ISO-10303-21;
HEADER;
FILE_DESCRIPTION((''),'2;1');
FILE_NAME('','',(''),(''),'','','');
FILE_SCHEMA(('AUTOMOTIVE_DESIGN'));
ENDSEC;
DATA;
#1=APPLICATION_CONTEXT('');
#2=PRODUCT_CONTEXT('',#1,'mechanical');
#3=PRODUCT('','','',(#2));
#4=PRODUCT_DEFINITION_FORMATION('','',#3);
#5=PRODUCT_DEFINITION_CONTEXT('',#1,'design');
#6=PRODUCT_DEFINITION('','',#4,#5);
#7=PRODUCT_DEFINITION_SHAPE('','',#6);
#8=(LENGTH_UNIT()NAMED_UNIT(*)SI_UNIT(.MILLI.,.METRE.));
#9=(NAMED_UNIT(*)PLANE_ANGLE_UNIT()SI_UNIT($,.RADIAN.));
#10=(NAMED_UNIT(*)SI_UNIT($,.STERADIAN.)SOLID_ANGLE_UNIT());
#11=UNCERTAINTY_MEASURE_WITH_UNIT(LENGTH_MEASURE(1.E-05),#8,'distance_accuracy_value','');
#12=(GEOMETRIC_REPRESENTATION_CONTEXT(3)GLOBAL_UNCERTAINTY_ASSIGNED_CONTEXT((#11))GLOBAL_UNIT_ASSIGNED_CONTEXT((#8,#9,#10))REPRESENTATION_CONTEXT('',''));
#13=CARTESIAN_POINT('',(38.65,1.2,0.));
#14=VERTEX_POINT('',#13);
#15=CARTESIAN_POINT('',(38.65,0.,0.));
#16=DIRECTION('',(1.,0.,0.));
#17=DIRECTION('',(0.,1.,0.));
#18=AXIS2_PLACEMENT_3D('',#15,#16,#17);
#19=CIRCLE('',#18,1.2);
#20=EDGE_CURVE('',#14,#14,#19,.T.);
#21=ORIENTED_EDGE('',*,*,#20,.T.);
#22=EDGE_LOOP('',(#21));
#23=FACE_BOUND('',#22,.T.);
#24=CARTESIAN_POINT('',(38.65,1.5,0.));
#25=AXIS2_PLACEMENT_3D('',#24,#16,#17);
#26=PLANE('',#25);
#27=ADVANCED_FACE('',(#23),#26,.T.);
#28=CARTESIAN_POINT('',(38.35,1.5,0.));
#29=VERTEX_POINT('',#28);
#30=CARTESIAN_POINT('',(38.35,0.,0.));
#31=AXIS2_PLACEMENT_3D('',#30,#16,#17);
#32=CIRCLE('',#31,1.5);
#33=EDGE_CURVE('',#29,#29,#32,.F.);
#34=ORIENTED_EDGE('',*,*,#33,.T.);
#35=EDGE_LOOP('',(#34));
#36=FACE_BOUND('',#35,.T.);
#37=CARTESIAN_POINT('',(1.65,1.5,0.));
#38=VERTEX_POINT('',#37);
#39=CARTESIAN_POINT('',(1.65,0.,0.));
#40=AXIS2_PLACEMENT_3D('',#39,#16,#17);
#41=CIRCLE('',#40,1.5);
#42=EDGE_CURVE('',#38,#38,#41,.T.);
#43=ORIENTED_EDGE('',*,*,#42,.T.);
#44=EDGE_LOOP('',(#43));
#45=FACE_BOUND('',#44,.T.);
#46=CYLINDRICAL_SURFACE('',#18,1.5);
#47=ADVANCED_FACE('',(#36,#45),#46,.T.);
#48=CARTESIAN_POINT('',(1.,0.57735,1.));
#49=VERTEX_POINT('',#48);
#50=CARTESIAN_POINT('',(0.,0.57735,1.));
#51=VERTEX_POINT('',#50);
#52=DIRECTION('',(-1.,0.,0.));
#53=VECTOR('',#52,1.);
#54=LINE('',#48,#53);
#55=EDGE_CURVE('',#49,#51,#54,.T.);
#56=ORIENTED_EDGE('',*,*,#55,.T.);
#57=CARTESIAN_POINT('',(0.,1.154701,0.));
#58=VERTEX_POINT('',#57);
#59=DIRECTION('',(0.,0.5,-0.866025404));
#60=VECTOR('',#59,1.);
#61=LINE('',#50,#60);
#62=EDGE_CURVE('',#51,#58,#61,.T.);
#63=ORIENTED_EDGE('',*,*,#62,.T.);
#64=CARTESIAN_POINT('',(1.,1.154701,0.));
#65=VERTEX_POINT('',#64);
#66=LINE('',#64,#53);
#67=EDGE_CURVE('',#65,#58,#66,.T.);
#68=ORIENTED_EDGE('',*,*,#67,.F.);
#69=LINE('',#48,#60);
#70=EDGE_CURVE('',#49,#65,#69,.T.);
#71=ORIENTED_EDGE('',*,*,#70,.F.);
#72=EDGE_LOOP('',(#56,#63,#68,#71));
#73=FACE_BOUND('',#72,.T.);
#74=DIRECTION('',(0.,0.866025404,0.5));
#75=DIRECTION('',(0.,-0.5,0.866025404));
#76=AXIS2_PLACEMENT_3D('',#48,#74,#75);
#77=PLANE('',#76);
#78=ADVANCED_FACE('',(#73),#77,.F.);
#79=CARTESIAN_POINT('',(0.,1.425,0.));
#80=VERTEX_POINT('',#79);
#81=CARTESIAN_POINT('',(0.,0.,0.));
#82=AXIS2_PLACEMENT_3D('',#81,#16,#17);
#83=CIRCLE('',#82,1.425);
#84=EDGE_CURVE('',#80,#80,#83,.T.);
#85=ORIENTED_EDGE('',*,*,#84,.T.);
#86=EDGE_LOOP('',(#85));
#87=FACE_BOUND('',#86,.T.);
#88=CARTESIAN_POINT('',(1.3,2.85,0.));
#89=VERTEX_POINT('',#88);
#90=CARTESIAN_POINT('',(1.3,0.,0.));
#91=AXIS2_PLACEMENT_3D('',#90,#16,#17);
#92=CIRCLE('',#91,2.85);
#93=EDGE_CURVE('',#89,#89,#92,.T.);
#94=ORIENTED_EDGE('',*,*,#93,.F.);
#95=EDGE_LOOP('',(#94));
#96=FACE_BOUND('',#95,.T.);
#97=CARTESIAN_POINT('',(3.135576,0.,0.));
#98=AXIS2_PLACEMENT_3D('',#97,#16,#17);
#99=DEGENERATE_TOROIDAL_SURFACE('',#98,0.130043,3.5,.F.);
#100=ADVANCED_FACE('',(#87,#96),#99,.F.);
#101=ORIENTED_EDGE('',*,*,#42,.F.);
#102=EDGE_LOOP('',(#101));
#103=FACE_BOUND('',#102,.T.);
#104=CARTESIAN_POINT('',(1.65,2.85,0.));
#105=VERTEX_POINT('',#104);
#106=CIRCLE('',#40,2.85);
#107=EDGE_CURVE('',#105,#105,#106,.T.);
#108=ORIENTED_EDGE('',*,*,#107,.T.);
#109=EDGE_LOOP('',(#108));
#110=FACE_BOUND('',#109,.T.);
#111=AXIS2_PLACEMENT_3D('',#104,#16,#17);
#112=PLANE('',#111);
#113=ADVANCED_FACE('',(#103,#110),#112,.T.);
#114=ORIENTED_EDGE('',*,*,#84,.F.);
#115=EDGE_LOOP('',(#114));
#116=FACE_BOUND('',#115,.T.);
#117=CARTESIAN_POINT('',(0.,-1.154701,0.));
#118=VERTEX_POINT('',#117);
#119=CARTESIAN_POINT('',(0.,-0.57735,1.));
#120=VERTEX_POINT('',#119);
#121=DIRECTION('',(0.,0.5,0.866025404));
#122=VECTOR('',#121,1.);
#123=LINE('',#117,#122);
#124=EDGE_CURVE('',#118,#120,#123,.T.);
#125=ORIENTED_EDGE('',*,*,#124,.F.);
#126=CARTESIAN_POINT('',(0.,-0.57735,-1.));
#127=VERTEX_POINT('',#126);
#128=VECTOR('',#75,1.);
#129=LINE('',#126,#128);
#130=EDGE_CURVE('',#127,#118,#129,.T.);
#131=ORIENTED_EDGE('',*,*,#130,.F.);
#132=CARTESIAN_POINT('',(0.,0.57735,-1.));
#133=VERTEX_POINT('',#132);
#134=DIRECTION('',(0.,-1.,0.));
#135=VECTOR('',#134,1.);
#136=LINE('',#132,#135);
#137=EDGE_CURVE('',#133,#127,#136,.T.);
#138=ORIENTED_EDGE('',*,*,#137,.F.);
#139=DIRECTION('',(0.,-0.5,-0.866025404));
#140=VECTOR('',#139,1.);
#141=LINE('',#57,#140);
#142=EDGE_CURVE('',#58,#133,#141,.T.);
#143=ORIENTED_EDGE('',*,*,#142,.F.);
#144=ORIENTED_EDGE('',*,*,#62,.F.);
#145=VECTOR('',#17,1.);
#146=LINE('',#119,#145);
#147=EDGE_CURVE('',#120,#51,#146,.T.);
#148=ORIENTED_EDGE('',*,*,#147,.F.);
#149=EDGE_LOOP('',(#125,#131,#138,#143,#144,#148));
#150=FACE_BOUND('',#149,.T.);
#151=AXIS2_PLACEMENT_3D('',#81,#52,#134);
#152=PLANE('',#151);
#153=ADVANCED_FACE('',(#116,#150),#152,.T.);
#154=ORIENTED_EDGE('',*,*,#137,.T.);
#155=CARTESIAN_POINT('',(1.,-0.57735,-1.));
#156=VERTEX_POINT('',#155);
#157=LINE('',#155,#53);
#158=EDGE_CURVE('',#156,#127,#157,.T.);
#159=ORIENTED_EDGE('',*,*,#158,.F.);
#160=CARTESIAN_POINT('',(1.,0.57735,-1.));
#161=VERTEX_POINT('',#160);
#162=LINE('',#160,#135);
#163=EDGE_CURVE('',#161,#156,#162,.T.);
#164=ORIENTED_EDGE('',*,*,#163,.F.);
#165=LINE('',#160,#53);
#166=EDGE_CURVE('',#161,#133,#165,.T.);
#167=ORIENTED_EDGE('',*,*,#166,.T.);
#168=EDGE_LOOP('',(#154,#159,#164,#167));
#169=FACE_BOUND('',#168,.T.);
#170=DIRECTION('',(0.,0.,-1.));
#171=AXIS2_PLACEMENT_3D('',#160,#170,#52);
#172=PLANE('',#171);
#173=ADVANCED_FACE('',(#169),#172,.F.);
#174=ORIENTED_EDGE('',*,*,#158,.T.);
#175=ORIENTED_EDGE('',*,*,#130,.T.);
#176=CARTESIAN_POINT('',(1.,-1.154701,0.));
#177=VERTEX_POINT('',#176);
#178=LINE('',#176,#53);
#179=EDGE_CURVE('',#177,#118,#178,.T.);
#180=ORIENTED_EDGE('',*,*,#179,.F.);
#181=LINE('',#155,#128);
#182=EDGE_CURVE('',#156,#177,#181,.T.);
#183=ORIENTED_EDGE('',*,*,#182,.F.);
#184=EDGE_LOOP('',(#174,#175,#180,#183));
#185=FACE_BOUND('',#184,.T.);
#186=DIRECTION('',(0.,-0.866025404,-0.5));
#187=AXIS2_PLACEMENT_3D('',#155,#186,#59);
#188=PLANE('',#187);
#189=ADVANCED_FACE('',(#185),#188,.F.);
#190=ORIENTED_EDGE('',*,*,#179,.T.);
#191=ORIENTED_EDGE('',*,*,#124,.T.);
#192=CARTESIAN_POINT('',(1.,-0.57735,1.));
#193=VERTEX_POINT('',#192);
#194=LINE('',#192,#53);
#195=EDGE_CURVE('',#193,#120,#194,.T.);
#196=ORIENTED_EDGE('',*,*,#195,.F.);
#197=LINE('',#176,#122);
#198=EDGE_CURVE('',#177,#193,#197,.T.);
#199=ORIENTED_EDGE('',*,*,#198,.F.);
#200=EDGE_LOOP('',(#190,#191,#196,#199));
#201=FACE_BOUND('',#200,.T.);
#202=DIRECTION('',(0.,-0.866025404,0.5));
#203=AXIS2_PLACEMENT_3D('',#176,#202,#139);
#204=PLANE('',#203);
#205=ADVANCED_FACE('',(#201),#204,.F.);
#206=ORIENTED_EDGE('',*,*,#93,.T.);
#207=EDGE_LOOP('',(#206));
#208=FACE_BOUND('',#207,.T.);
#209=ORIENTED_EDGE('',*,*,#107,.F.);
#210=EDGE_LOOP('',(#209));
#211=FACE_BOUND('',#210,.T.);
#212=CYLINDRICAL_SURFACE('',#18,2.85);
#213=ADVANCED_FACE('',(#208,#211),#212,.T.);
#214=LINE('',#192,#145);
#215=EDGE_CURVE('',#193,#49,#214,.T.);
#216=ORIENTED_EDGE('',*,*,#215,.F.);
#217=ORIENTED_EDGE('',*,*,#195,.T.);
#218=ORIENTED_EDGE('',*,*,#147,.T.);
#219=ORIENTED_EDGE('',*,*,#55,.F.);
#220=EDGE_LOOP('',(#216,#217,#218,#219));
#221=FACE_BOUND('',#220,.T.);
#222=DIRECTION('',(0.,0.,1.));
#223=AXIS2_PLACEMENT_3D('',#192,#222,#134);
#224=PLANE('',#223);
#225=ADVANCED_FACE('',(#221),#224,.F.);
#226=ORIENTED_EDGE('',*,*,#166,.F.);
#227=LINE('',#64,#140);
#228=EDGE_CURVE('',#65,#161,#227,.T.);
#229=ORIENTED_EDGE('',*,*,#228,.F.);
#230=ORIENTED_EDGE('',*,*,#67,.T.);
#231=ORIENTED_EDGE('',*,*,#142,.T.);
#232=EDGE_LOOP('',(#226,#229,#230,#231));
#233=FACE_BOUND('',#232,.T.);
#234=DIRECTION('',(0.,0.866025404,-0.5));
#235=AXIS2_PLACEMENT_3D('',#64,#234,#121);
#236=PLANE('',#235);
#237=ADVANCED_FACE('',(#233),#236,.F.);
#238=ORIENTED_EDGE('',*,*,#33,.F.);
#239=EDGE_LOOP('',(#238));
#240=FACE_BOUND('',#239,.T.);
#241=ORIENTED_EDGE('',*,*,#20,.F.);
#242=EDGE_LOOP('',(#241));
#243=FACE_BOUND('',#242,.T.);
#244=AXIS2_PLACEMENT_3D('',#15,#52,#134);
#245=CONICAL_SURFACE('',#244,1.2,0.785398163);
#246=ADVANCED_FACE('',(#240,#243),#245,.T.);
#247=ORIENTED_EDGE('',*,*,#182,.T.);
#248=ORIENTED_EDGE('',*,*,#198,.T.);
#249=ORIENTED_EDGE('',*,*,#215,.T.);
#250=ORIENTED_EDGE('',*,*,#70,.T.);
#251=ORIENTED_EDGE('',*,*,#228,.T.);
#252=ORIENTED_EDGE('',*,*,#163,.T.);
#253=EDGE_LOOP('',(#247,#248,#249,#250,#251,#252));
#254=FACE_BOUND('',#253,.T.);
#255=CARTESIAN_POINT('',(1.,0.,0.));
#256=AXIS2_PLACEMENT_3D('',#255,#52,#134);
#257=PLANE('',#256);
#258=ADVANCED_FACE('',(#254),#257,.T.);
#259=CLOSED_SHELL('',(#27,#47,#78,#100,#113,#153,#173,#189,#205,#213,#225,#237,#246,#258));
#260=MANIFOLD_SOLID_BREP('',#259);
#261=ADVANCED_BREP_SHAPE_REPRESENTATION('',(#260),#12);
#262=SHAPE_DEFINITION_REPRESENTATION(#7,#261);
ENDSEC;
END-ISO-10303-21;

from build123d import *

# Parameters (mm, degrees)
CHAMFER1_SIZE      = 0.3
CUT_EXTRUDE1_DEPTH = 1


with BuildPart() as part:
    # Sketch1 → Revolve1 (revolve)
    with BuildSketch(Plane.XY):
        with BuildLine():
            Line((38.65, 0), (0, 0))
            Line((0, 0), (0, 1.425))
            ThreePointArc((0, 1.425), (0.549895392, 2.228823502), (1.3, 2.85))
            Line((1.3, 2.85), (1.65, 2.85))
            Line((1.65, 2.85), (1.65, 1.5))
            Line((1.65, 1.5), (38.65, 1.5))
            Line((38.65, 1.5), (38.65, 0))
        make_face()
    revolve(axis=Axis((38.65, 0, 0), (-1, 0, 0)))

    # Chamfer1
    chamfer1_edges = [part.edges().sort_by_distance(p)[0] for p in [
        (38.65, -1.5, 0),
    ]]
    chamfer(chamfer1_edges, length=CHAMFER1_SIZE)

    # Sketch2 → Cut-Extrude1 (cut)
    with BuildSketch(Plane.ZY):
        Polygon((0, 1.154700538), (-1, 0.577350269), (-1, -0.577350269), (0, -1.154700538), (1, -0.577350269), (1, 0.577350269), align=None)
    extrude(amount=-CUT_EXTRUDE1_DEPTH, mode=Mode.SUBTRACT)


solid = part.part
